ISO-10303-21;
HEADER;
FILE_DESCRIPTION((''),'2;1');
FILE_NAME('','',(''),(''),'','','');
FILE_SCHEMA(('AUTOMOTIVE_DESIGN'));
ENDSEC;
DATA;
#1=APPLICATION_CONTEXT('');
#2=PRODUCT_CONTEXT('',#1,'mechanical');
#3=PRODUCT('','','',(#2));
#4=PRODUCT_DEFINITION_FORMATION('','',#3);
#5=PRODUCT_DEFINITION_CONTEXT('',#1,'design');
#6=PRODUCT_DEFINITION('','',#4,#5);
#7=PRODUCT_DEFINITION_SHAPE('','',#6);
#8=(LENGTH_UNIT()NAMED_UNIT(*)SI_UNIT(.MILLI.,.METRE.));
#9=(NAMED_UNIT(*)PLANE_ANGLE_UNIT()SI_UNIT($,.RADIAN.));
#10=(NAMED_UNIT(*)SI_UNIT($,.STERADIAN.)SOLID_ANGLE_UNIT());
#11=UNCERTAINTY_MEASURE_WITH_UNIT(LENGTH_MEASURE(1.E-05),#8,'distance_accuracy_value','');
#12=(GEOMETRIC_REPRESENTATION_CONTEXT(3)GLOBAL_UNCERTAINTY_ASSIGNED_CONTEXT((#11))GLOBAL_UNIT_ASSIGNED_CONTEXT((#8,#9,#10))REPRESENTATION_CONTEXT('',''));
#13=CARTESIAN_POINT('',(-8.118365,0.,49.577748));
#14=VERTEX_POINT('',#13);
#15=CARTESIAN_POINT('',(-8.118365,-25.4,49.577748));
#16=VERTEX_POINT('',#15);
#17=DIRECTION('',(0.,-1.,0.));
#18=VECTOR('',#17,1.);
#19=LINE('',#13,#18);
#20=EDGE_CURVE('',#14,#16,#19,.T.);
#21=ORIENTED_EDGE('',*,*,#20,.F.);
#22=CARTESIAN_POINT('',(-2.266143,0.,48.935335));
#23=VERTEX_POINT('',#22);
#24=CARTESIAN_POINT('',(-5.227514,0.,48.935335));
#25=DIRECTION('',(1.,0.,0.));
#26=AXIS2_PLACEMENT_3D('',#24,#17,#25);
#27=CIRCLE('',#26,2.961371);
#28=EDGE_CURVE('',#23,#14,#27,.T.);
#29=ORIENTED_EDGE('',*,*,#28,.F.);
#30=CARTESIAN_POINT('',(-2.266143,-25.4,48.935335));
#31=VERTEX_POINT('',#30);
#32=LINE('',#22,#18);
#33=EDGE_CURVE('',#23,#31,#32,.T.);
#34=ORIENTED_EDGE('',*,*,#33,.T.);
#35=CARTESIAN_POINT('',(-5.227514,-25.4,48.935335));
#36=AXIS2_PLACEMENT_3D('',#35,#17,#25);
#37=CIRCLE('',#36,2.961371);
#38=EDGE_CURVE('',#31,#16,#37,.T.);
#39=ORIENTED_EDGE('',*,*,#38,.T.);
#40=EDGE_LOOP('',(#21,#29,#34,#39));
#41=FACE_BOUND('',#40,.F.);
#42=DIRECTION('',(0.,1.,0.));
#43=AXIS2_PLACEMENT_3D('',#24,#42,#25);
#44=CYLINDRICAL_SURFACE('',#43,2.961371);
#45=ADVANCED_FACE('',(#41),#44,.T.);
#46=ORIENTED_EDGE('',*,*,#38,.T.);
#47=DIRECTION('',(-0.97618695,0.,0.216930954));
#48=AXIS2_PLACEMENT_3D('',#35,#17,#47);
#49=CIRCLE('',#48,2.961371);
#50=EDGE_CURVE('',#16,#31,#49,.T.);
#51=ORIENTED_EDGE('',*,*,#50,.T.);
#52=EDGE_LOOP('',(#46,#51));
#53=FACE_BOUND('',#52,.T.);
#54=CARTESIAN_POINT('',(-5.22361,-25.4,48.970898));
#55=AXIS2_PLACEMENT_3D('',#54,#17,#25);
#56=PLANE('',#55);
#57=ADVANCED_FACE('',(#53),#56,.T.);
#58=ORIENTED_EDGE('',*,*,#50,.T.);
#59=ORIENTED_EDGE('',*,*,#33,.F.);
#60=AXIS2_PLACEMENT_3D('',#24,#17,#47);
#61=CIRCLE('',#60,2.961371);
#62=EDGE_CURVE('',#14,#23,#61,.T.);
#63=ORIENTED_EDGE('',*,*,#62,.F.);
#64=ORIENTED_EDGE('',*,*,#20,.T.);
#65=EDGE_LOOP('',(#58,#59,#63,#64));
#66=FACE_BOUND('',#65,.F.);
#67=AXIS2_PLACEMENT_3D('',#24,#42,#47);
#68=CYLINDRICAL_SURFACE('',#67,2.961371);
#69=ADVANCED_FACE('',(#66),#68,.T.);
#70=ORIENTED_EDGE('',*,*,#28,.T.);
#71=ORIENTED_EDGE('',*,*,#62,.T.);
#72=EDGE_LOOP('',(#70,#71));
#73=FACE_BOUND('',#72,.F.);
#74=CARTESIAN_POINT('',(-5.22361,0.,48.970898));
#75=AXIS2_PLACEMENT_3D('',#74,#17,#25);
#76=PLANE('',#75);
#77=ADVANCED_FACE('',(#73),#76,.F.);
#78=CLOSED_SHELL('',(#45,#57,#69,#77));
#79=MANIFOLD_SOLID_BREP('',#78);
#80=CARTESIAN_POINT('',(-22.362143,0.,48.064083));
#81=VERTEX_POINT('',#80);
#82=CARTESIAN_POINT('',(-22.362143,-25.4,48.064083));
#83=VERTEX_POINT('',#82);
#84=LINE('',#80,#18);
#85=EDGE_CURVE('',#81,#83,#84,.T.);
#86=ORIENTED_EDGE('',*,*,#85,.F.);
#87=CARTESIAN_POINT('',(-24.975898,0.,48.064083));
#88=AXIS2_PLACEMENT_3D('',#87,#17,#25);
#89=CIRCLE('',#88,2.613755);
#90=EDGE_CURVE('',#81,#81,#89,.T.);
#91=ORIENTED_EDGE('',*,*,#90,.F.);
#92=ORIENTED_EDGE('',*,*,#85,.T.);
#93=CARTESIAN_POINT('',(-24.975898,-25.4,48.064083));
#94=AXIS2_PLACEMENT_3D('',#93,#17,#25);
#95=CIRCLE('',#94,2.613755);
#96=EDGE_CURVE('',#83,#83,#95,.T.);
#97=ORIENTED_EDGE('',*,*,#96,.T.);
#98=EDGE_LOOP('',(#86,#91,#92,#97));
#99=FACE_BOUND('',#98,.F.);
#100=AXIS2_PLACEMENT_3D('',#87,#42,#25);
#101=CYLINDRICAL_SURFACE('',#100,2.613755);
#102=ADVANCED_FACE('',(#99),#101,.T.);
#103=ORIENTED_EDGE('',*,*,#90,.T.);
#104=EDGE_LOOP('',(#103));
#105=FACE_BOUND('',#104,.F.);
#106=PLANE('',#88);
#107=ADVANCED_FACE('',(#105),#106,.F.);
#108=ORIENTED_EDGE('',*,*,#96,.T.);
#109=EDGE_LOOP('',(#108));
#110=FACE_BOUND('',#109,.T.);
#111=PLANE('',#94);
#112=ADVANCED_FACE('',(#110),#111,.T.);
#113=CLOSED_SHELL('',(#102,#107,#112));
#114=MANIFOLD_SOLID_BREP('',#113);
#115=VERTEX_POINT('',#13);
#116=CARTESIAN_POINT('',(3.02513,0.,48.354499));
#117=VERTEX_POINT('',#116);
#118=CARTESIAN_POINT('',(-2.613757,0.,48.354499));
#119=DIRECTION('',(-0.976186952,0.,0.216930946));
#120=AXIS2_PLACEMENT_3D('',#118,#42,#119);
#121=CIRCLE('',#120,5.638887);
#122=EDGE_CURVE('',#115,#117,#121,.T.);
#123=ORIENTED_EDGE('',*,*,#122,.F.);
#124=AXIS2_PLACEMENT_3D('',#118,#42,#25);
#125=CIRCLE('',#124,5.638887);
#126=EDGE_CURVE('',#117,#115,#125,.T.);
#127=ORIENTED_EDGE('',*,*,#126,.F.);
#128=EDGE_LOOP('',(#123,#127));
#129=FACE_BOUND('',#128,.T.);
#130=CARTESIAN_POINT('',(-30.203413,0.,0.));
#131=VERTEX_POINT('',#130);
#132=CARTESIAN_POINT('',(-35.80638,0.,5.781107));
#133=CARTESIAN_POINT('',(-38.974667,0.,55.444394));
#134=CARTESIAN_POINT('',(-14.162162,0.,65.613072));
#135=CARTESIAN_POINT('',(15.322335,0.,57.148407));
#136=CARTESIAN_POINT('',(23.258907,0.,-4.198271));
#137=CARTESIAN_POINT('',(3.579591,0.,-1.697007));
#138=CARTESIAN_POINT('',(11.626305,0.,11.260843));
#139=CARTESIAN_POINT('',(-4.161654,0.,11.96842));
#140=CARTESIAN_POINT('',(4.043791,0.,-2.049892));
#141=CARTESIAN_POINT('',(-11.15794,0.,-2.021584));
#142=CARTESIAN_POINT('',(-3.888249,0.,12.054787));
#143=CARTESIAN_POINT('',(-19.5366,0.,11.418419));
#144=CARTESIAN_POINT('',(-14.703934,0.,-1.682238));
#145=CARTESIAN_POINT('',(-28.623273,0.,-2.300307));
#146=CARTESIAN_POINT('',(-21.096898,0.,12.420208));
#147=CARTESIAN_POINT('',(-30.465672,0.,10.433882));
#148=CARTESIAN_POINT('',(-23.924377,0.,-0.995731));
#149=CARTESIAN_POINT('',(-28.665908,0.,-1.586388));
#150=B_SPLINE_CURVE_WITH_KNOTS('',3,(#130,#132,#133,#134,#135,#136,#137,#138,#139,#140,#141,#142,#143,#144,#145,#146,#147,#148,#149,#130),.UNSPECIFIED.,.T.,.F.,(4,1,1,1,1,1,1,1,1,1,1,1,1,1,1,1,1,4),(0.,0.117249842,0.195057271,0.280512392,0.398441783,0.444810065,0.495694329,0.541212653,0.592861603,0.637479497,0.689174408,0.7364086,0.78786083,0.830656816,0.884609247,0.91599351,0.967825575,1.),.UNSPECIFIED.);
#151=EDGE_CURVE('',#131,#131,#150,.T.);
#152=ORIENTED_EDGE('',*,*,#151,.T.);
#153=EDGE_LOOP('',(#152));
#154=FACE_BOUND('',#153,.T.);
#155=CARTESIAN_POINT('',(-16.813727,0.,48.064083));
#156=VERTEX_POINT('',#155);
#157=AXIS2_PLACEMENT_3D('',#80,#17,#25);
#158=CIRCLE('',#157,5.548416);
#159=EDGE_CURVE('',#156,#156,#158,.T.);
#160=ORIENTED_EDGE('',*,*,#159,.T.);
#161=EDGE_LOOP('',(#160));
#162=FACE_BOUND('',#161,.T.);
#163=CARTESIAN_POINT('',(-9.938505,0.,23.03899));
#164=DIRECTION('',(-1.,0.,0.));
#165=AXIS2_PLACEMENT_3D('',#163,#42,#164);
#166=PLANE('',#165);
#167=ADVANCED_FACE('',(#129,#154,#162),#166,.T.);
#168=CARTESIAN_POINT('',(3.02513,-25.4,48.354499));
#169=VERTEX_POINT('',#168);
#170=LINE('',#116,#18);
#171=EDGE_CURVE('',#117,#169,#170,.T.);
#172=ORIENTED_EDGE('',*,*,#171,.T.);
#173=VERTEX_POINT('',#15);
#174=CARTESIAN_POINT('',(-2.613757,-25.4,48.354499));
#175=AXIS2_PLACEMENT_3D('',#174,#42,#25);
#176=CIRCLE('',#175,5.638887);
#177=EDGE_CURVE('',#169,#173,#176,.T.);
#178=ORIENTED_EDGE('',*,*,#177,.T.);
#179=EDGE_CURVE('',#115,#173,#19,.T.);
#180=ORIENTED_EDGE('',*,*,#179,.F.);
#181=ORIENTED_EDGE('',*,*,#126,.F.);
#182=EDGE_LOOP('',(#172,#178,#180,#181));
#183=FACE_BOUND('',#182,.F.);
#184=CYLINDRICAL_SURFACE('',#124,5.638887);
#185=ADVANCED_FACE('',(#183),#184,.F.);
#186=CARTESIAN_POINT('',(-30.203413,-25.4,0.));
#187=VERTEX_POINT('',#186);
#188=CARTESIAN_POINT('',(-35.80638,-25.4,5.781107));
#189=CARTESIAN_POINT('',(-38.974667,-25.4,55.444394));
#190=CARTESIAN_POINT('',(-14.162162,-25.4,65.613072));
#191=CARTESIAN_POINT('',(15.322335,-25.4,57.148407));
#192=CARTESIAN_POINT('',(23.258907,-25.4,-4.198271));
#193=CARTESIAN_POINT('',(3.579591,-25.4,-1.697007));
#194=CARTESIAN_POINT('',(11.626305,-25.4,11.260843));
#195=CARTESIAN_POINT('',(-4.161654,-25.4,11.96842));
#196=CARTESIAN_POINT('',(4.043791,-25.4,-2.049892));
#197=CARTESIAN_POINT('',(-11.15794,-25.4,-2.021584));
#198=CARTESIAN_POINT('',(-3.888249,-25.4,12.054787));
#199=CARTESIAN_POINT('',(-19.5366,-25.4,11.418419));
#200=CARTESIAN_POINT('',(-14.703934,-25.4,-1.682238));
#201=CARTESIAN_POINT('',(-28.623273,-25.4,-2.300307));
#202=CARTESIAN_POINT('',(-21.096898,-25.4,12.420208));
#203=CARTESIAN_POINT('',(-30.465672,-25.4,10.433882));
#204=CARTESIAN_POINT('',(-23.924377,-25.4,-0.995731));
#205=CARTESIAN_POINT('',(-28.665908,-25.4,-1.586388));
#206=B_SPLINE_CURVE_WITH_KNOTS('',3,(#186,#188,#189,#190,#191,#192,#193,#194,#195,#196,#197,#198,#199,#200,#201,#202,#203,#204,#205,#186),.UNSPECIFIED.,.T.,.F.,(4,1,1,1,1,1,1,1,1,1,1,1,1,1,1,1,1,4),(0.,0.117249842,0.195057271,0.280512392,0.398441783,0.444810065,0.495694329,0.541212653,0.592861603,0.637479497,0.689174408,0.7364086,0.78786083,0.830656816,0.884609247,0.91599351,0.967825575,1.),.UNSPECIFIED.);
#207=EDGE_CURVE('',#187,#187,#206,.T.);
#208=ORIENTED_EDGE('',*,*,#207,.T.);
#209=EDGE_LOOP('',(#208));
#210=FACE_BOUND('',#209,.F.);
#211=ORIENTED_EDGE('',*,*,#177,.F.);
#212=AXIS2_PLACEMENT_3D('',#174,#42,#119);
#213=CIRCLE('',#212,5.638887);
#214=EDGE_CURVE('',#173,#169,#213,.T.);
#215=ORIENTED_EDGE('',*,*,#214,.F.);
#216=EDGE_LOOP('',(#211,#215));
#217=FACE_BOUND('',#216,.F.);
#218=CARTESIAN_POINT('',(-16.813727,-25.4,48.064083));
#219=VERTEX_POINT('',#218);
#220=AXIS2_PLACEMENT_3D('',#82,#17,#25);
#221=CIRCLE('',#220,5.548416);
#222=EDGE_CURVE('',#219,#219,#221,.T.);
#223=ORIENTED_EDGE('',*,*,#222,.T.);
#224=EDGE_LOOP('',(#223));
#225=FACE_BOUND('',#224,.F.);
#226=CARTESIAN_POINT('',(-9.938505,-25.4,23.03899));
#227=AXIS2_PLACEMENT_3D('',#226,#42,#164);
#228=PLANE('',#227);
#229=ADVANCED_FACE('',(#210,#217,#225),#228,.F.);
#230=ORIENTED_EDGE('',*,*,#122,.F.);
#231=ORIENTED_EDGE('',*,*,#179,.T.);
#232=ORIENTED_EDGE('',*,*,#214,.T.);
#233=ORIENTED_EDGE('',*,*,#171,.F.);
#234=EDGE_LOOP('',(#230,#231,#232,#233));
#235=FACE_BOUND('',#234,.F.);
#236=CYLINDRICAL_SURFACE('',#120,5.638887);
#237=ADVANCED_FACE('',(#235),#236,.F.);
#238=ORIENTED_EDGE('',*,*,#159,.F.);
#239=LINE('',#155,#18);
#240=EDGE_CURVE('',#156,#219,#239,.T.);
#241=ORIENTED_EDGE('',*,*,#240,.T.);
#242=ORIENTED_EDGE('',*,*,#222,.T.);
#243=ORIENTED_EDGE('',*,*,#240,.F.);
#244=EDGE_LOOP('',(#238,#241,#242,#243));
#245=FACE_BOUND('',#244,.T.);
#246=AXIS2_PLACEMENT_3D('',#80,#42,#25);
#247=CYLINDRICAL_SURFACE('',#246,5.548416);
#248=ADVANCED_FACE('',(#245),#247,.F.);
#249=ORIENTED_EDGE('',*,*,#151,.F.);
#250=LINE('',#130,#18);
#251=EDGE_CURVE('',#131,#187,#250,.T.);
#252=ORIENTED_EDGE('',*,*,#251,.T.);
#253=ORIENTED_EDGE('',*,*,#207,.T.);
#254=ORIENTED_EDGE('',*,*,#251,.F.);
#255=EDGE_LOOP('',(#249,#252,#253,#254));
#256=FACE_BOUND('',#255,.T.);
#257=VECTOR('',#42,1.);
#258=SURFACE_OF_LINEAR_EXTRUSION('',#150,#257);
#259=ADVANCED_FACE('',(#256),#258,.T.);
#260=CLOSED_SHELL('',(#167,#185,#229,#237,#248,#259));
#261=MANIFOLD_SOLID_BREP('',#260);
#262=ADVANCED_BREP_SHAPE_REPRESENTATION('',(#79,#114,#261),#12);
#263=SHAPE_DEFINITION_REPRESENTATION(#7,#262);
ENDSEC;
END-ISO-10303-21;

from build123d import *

# Parameters (mm, degrees)
F0_R     = 5.548415968
F1_DEPTH = 25.4
F0_R_2   = 2.613754943


with BuildPart() as f1:
    # F0 (on Front) → F1 (new body)
    with BuildSketch(Plane.XZ):
        with BuildLine():
            add(Edge.make_bspline(
                [(-30.2034132183, 0), (-35.8063800415, 5.7811072226), (-38.9746666092, 55.4443944222), (-14.162162337, 65.6130720705), (15.3223353804, 57.148406596), (23.2589074677, -4.1982711985), (3.5795914282, -1.6970070767), (11.626305169, 11.2608434615), (-4.1616535316, 11.9684203287), (4.0437909364, -2.049892118), (-11.1579395918, -2.0215838455), (-3.8882491333, 12.054787162), (-19.5365997115, 11.4184187052), (-14.703934078, -1.6822383026), (-28.6232732554, -2.3003072189), (-21.0968979759, 12.4202079955), (-30.4656717321, 10.4338816747), (-23.9243765921, -0.9957312442), (-28.6659080695, -1.5863884975), (-30.2034132183, 0)],
                knots=[0, 0, 0, 0, 0.1172498423, 0.1950572715, 0.2805123922, 0.3984417833, 0.4448100652, 0.4956943295, 0.5412126532, 0.5928616028, 0.6374794965, 0.6891744077, 0.7364085996, 0.7878608295, 0.830656816, 0.8846092471, 0.9159935105, 0.9678255749, 1, 1, 1, 1], degree=3))
        make_face()
        with Locations((-22.3621428013, 48.0640828609)):
            Circle(F0_R, mode=Mode.SUBTRACT)
        with BuildLine():
            ThreePointArc((-8.1183652053, 49.577748136), (-1.9984587219, 53.9597157683), (3.0251297512, 48.354499042))
            ThreePointArc((3.0251297512, 48.354499042), (-3.2290558207, 42.7492823158), (-8.1183652053, 49.577748136))
        make_face(mode=Mode.SUBTRACT)
    extrude(amount=F1_DEPTH)


with BuildPart() as f1b:
    # F0 (on Front) → F1, piece 2 (new body)
    with BuildSketch(Plane.XZ):
        with Locations((-24.9758977443, 48.0640828609)):
            Circle(F0_R_2)
    extrude(amount=F1_DEPTH)


with BuildPart() as f1c:
    # F0 (on Front) → F1, piece 3 (new body)
    with BuildSketch(Plane.XZ):
        with BuildLine():
            ThreePointArc((-2.2661427447, 48.9353351295), (-4.9043776342, 51.8790233857), (-8.1183652053, 49.577748136))
            ThreePointArc((-8.1183652053, 49.577748136), (-5.5506495884, 45.9916468733), (-2.2661427447, 48.9353351295))
        make_face()
    extrude(amount=F1_DEPTH)


solid = Compound([f1.part, f1b.part, f1c.part])
